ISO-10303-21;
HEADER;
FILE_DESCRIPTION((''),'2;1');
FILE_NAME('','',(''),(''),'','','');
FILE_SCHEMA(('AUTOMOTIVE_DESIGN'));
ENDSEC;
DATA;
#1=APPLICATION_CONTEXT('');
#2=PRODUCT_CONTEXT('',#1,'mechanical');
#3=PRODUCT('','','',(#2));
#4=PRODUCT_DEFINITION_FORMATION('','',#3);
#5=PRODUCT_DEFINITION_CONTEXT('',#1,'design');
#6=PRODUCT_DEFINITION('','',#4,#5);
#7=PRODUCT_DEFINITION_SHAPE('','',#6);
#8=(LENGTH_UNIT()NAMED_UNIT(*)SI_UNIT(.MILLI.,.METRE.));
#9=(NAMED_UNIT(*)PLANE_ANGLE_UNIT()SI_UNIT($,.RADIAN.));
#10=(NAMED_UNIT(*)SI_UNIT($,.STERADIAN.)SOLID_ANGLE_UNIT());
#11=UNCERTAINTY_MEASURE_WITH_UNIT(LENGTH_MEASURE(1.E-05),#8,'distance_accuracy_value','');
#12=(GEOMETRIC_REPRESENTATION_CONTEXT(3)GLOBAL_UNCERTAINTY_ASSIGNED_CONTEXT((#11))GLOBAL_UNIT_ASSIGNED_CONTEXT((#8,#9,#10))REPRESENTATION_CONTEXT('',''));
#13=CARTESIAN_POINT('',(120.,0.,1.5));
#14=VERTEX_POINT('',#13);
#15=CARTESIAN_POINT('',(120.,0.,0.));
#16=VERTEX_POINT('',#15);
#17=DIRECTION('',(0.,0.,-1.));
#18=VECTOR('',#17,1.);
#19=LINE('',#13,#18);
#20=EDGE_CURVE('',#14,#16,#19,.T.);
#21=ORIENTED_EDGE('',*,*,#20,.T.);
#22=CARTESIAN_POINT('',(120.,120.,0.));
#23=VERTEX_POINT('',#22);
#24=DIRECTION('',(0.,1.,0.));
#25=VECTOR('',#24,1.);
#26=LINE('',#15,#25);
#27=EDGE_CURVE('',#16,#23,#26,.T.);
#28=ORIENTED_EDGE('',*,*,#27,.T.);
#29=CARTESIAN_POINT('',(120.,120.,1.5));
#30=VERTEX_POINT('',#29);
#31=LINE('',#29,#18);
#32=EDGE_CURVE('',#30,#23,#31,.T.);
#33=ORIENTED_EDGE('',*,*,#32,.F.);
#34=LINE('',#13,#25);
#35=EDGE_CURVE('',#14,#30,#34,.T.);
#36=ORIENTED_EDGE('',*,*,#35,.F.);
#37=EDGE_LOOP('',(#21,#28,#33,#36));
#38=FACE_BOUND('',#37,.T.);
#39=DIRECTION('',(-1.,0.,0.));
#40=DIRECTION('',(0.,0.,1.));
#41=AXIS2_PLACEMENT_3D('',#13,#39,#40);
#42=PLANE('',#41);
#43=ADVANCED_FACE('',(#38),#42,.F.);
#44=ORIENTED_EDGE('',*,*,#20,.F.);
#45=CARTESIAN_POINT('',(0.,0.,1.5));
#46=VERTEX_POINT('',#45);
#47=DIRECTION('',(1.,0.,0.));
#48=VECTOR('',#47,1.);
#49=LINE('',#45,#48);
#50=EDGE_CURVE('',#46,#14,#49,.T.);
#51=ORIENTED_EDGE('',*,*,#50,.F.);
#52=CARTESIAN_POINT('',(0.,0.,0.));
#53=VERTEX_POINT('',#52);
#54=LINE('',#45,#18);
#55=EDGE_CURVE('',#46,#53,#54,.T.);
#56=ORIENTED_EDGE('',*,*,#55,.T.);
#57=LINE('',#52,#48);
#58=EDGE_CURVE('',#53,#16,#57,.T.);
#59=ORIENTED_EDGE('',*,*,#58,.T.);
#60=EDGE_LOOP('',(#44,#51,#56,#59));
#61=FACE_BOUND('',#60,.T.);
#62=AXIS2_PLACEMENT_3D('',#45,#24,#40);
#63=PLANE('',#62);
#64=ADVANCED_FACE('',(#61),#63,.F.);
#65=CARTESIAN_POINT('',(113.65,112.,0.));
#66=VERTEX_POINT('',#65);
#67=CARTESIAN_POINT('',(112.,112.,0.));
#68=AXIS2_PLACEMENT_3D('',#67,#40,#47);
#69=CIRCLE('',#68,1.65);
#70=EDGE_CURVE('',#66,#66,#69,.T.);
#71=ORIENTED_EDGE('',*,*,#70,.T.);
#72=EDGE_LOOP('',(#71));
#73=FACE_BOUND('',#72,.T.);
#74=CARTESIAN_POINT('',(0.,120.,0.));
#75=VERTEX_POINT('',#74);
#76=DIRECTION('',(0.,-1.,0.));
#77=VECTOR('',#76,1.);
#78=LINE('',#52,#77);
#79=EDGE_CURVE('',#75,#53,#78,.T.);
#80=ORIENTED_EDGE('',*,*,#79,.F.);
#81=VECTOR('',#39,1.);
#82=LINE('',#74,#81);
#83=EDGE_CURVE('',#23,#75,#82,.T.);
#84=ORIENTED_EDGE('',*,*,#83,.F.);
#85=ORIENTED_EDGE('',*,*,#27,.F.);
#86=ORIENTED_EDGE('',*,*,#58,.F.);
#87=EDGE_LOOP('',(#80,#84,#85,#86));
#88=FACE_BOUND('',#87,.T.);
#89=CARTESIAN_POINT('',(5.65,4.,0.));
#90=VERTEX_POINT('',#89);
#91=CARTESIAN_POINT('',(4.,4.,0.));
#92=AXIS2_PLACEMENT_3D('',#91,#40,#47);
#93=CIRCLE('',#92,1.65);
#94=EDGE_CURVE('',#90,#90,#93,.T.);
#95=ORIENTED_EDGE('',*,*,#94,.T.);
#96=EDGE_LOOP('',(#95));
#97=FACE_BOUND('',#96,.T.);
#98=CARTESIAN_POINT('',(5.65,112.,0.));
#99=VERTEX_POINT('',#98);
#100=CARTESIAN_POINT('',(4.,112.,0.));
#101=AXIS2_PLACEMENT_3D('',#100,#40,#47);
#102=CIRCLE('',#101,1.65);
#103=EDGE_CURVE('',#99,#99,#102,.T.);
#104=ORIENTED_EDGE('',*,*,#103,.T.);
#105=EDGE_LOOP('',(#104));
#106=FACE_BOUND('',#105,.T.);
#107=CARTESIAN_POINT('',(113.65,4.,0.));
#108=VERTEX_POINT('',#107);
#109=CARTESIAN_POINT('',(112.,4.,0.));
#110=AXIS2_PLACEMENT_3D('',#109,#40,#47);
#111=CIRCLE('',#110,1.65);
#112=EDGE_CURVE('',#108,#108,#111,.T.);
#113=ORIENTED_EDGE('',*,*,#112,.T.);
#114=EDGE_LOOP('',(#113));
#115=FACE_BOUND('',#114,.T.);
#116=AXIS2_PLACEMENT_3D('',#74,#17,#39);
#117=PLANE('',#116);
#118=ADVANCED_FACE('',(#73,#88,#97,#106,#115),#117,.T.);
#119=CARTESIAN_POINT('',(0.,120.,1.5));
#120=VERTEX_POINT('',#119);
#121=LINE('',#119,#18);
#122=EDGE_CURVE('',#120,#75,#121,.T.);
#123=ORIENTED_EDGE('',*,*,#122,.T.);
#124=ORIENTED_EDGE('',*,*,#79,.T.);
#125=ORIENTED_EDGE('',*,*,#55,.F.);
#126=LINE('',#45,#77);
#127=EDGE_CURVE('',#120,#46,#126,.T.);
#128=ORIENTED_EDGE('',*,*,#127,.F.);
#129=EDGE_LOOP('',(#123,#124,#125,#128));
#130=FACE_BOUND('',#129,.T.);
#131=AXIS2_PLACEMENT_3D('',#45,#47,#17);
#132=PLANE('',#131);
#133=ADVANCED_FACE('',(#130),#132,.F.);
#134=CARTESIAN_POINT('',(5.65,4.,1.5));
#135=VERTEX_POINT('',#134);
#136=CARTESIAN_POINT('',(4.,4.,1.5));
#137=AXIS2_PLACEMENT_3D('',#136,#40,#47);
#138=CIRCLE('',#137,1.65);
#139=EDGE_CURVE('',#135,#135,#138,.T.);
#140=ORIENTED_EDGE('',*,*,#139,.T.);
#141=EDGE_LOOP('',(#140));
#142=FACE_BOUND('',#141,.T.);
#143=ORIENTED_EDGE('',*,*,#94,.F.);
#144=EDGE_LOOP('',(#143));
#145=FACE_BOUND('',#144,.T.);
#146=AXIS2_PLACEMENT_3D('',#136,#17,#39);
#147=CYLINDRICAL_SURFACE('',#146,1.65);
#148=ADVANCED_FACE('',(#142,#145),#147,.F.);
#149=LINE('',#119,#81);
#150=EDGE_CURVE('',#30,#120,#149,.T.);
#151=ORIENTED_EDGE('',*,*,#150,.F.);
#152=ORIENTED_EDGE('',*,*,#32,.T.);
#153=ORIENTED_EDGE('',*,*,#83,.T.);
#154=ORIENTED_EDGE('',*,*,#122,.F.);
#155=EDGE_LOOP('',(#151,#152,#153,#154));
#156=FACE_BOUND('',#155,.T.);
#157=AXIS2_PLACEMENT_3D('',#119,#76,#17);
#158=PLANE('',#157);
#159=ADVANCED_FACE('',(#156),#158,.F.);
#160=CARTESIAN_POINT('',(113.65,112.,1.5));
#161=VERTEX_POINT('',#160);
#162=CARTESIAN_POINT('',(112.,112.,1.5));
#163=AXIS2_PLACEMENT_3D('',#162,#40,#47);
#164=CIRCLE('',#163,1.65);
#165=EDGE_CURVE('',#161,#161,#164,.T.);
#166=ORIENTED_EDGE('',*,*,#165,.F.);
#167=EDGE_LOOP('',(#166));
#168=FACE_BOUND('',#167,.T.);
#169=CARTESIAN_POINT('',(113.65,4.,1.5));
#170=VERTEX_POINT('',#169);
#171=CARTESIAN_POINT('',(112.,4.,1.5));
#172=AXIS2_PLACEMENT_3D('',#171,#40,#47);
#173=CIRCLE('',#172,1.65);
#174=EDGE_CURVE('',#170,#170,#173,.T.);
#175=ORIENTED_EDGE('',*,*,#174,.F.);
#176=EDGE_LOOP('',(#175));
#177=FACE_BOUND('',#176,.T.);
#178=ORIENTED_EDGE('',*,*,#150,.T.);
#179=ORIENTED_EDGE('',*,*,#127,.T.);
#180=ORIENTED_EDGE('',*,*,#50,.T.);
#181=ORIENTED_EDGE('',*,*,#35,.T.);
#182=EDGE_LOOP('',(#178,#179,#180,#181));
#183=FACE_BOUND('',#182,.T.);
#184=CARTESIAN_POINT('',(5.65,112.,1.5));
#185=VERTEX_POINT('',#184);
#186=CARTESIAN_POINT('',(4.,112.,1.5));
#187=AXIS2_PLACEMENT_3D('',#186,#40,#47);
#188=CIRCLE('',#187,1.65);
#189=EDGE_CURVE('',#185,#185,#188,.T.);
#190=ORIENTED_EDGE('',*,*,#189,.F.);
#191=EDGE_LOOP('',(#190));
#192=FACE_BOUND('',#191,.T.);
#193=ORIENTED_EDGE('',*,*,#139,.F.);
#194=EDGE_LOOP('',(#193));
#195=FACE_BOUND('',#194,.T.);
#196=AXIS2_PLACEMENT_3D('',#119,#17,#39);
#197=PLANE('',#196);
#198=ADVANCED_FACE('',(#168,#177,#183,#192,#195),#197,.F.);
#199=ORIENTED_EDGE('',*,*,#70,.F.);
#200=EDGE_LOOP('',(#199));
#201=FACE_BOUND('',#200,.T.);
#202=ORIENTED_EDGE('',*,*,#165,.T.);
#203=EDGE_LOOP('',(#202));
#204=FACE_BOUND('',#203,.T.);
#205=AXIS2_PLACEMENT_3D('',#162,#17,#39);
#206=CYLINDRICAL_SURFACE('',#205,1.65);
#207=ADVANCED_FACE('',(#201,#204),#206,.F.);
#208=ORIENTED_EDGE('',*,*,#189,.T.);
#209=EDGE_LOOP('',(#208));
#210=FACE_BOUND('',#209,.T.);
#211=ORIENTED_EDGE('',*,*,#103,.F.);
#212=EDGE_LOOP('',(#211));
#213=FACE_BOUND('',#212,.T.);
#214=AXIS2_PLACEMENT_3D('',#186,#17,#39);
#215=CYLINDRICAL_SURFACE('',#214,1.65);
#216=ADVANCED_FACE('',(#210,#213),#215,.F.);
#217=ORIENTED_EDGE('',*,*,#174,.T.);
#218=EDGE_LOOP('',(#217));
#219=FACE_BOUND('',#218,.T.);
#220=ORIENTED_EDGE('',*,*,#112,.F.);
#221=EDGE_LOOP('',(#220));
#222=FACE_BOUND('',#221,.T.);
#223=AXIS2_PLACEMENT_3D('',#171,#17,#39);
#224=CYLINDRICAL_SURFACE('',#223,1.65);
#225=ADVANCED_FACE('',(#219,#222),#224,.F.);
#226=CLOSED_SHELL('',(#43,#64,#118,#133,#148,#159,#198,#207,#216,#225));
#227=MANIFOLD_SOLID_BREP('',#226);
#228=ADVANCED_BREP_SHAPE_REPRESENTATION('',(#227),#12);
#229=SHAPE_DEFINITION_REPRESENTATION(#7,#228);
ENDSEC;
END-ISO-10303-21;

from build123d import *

# Parameters (mm, degrees)
SKETCH_1_W      = 120
SKETCH_1_H      = 120
SKETCH_1_R      = 1.65
EXTRUDE_1_DEPTH = 1.5


with BuildPart() as part:
    # Эскиз1 → Бобышка-Вытянуть1 (new body)
    with BuildSketch(Plane.XY):
        with Locations((60, 60)):
            Rectangle(SKETCH_1_W, SKETCH_1_H)
        with Locations((4, 4)):
            Circle(SKETCH_1_R, mode=Mode.SUBTRACT)
        with Locations((112, 4)):
            Circle(SKETCH_1_R, mode=Mode.SUBTRACT)
        with Locations((4, 112)):
            Circle(SKETCH_1_R, mode=Mode.SUBTRACT)
        with Locations((112, 112)):
            Circle(SKETCH_1_R, mode=Mode.SUBTRACT)
    extrude(amount=EXTRUDE_1_DEPTH)


solid = part.part
